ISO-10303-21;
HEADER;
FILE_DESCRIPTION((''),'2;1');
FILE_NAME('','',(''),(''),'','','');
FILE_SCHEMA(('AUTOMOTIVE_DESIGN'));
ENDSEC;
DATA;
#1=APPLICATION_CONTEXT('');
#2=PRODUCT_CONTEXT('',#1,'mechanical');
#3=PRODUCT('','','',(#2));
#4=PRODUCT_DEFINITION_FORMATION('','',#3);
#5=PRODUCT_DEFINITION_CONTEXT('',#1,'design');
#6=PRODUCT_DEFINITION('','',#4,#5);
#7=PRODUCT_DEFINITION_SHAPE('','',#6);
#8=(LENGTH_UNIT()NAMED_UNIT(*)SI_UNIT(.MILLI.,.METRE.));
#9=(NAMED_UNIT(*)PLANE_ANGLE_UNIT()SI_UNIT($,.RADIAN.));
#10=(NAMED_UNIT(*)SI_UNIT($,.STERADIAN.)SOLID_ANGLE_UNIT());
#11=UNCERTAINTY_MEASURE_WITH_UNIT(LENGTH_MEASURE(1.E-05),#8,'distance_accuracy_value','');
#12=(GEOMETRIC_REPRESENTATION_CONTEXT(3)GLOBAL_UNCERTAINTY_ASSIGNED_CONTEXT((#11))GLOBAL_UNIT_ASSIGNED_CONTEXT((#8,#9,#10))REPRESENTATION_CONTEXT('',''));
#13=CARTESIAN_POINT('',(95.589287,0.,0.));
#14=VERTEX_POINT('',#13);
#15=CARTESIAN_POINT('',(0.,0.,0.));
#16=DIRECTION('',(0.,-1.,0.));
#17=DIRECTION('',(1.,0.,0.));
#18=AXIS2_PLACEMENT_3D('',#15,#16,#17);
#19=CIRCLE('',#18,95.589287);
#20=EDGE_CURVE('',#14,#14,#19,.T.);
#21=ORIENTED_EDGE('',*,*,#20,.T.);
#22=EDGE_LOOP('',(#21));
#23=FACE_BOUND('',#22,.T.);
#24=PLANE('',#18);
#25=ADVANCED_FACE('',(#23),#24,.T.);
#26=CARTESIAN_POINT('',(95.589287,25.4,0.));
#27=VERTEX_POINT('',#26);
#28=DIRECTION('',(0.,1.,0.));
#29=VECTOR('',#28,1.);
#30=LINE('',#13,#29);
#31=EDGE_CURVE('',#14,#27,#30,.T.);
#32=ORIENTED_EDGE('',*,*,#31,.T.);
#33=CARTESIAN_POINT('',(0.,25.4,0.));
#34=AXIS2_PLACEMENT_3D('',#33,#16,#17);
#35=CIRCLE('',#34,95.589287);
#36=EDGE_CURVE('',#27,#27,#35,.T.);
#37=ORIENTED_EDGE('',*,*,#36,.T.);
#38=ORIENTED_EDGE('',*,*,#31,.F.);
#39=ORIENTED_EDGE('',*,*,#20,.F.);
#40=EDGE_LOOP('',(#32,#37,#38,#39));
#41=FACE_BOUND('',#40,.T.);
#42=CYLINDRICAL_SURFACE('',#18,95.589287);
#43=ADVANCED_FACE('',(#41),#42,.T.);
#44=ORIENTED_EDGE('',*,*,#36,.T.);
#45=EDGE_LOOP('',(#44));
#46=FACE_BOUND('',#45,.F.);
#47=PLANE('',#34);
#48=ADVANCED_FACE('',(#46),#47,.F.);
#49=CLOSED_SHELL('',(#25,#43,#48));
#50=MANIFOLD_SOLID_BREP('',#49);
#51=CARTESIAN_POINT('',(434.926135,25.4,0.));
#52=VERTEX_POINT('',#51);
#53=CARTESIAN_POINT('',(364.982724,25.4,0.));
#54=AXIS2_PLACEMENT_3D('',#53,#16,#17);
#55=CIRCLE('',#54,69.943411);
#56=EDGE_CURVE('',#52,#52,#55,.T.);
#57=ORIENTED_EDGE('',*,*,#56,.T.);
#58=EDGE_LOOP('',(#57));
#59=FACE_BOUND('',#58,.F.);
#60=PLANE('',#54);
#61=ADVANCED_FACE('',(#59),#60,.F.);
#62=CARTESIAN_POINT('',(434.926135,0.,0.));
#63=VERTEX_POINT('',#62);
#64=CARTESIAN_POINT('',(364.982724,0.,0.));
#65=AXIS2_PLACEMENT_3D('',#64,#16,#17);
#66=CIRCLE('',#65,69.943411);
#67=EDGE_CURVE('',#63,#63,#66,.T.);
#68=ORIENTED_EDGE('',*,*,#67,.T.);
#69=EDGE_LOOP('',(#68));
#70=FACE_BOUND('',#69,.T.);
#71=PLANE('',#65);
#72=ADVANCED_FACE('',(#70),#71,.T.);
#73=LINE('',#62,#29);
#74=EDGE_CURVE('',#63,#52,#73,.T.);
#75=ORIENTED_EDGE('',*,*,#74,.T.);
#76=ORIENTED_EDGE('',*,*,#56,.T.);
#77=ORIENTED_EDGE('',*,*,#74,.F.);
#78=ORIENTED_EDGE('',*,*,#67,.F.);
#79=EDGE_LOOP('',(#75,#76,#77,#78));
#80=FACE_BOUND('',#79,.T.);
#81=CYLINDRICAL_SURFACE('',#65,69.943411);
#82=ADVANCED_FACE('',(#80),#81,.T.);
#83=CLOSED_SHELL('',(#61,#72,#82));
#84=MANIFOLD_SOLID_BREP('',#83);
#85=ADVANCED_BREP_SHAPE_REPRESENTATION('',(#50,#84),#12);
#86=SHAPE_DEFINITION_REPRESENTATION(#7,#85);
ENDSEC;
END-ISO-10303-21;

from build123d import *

# Parameters (mm, degrees)
F1_R     = 69.943411
F0_R     = 95.589287
F3_DEPTH = 25.4


with BuildPart() as f3:
    # F1 (on Front) + F0 (on Front) → F3 (new body)
    with BuildSketch(Plane.XZ):
        with Locations((364.982724, 0)):
            Circle(F1_R)
    with BuildSketch(Plane.XZ):
        Circle(F0_R)
    extrude(amount=-F3_DEPTH)


solid = f3.part
